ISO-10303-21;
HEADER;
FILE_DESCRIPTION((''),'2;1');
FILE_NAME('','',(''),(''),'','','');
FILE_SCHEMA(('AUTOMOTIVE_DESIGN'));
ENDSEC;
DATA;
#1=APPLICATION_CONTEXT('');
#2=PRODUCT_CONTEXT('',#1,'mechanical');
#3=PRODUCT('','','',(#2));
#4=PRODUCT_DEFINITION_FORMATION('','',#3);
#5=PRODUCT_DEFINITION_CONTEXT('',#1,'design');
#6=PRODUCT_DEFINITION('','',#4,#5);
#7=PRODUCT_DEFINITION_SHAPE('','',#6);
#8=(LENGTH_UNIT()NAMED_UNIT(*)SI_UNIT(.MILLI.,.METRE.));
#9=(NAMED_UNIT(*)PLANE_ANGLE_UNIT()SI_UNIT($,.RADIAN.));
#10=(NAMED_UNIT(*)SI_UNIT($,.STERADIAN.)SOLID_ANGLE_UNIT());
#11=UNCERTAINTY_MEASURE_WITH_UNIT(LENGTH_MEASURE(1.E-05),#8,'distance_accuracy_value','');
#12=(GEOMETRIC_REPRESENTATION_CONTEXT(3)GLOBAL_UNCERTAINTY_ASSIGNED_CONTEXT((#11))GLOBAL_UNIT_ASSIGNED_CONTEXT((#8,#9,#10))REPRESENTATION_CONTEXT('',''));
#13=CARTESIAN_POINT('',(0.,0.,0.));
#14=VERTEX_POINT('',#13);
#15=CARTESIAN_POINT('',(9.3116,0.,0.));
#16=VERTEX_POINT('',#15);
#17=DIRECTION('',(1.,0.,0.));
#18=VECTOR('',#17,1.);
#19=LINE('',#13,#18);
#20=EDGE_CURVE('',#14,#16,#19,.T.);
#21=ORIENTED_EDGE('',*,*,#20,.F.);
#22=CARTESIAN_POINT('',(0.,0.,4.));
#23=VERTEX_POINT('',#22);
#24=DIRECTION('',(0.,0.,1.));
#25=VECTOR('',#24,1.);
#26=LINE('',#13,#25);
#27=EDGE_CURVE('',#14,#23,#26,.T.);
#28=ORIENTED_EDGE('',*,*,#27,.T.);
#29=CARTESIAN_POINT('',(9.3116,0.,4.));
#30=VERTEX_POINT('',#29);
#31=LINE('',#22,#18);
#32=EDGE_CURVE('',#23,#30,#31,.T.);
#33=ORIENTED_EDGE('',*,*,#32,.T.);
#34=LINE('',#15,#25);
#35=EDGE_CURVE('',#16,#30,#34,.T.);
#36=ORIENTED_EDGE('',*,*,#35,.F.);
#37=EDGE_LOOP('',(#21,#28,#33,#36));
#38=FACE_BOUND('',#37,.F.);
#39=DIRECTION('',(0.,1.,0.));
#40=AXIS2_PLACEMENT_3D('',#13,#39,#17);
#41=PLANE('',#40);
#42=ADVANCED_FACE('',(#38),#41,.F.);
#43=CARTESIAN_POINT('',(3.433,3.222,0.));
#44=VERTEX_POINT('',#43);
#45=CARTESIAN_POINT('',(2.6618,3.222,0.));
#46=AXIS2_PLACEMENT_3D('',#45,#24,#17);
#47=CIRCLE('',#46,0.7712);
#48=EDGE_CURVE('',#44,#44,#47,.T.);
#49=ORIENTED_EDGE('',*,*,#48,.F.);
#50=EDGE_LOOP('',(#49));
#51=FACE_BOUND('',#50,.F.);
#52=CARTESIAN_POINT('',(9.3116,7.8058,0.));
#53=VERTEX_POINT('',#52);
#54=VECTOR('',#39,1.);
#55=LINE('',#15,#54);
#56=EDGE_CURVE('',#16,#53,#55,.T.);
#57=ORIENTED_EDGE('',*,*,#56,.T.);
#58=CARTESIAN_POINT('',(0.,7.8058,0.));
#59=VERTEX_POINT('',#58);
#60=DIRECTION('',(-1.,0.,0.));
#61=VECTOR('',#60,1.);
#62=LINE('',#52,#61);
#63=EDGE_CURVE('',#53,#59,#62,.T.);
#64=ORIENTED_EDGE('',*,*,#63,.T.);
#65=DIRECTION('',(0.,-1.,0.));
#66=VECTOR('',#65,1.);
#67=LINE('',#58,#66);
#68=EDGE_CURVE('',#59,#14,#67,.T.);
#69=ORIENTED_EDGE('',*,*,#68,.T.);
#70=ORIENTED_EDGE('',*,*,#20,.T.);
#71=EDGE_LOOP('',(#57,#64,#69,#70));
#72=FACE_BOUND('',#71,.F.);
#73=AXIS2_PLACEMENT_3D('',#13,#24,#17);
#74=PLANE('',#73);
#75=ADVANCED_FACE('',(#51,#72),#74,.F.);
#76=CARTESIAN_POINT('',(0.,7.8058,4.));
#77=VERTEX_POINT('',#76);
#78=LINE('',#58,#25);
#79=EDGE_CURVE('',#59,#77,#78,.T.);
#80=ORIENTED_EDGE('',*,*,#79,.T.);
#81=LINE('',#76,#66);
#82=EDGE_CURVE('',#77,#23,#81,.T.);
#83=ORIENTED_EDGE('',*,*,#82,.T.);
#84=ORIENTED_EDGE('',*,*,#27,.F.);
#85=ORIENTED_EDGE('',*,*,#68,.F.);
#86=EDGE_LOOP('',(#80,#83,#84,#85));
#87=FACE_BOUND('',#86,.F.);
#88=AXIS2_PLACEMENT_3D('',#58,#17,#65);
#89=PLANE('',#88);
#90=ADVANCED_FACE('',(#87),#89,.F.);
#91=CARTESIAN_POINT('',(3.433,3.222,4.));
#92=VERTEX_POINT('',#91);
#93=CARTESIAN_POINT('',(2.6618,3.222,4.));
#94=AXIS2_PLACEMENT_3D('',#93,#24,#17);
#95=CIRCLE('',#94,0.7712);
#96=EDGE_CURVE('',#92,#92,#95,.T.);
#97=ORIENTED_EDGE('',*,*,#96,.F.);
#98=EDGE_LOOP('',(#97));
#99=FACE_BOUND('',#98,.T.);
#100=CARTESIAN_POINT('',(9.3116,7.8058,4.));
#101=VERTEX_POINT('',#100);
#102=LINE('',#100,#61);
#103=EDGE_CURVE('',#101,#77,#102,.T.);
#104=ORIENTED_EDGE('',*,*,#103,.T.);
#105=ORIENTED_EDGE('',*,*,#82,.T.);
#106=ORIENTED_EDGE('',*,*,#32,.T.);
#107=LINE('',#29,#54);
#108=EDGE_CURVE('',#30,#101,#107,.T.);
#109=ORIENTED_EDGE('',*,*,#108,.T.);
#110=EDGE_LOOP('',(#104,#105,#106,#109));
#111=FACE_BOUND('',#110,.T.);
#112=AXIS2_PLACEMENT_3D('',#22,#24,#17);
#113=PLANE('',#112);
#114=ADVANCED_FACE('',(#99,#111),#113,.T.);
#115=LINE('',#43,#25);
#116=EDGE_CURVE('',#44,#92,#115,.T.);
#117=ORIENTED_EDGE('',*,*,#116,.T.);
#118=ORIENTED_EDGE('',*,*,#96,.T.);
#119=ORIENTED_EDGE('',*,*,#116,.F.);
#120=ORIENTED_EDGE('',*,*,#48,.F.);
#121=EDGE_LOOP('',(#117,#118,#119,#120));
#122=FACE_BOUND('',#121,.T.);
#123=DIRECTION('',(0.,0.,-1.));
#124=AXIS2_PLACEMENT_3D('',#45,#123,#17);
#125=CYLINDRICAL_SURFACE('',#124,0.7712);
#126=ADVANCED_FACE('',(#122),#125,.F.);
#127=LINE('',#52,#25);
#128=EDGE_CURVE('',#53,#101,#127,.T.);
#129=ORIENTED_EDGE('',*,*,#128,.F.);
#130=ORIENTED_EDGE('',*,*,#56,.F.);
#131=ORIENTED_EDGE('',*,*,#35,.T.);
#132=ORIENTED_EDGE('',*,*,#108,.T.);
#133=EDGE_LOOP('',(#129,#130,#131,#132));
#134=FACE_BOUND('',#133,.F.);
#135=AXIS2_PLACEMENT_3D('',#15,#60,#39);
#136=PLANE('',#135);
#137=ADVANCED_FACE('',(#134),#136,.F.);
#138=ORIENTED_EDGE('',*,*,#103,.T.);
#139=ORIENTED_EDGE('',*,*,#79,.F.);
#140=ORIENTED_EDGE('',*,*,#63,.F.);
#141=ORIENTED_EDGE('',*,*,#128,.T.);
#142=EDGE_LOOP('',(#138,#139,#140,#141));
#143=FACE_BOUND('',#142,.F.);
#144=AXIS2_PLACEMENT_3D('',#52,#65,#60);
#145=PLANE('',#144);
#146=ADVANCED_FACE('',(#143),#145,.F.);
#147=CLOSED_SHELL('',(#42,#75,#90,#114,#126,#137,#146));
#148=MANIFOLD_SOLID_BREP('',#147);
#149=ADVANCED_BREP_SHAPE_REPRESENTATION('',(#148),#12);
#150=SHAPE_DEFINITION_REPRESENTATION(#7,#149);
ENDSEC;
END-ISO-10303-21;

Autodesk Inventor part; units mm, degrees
ref_plane "YZ Plane" through (0, 0, 0) normal (1, 0, 0) x (0, 1, 0)
ref_plane "XZ Plane" through (0, 0, 0) normal (0, 1, 0) x (-1, 0, 0)
sketch "Sketch1" plane through (0, 0, 0) normal (0, 0, 1) x (1, 0, 0)
  line L0 (0, 0) -> (9.3116, 0)
  line L1 (9.3116, 0) -> (9.3116, 7.8058)
  line L2 (9.3116, 7.8058) -> (0, 7.8058)
  line L3 (0, 7.8058) -> (0, 0)
  circle A0 centre (2.6618, 3.222) radius 0.7712
  dimension "d0" = 9.3116
  dimension "d1" = 7.8058
  dimension "d2" = 2.6618
  dimension "d3" = 3.222
  dimension "d4" = 1.5424
extrude "Extrusion1" add sketch "Sketch1" along normal blind 4
properties part number "testdelete"
